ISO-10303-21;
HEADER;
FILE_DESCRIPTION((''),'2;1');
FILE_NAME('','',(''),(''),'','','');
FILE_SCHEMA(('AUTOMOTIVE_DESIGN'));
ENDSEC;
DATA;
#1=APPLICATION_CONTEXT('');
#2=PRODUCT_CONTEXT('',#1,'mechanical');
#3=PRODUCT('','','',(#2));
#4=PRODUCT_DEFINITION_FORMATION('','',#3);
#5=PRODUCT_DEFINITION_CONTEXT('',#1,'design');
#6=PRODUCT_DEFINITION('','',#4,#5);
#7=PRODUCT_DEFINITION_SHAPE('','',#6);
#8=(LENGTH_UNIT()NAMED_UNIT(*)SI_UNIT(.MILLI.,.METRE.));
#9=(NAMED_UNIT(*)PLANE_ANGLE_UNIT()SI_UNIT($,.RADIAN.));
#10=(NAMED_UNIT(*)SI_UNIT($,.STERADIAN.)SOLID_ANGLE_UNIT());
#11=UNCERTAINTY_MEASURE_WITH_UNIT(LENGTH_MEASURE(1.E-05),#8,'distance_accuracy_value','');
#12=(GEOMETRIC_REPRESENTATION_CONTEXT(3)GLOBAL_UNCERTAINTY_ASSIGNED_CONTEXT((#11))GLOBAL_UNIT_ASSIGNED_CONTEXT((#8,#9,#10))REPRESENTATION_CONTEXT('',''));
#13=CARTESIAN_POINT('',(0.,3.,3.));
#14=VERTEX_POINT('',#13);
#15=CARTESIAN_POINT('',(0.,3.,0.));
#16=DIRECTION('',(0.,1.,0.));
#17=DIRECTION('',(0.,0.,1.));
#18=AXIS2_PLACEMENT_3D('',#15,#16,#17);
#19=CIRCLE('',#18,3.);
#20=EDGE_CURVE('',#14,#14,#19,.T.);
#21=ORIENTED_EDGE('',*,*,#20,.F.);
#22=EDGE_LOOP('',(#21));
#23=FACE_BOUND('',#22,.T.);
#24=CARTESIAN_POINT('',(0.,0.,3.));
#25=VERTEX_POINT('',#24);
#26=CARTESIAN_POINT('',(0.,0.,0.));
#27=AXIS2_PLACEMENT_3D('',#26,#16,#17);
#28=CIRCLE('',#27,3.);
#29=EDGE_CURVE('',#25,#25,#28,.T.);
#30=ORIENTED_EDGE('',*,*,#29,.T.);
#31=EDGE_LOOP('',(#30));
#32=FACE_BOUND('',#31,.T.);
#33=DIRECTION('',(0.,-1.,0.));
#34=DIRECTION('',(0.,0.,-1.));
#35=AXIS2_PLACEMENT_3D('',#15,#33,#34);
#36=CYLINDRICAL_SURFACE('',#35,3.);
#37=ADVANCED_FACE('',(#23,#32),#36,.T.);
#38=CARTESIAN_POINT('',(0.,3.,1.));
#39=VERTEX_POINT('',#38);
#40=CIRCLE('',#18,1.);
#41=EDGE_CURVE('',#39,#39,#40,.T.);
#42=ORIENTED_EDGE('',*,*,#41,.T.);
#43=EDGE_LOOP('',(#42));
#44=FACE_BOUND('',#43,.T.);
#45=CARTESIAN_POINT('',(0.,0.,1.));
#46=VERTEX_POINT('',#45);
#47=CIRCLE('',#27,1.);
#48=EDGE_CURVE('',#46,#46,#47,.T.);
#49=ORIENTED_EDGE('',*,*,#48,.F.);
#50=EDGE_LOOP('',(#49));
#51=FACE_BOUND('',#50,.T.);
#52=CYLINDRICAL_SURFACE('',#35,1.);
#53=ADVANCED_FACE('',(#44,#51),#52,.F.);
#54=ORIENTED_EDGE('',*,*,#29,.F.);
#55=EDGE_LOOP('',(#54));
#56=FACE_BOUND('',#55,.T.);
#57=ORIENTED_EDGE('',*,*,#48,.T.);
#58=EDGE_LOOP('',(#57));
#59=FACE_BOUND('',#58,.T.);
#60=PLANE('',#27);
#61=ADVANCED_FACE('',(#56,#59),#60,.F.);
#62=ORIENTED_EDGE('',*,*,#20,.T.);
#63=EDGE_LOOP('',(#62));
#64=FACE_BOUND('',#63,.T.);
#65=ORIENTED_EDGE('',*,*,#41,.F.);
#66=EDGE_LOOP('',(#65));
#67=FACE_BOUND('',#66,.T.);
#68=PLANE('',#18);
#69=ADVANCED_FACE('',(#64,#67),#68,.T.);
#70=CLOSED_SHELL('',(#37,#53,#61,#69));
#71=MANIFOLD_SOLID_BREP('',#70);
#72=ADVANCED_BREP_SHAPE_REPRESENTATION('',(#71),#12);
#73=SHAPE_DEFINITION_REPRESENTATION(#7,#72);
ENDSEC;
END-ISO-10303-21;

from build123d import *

# Parameters (mm, degrees)
SKETCH_1_R      = 3
SKETCH_1_R_2    = 1
EXTRUDE_1_DEPTH = 3


with BuildPart() as part:
    # 草图1 → 凸台-拉伸1 (new body)
    with BuildSketch(Plane(origin=(0, 0, 0), x_dir=(1, 0, 0), z_dir=(0, 1, 0))):
        Circle(SKETCH_1_R)
        Circle(SKETCH_1_R_2, mode=Mode.SUBTRACT)
    extrude(amount=EXTRUDE_1_DEPTH)


solid = part.part
